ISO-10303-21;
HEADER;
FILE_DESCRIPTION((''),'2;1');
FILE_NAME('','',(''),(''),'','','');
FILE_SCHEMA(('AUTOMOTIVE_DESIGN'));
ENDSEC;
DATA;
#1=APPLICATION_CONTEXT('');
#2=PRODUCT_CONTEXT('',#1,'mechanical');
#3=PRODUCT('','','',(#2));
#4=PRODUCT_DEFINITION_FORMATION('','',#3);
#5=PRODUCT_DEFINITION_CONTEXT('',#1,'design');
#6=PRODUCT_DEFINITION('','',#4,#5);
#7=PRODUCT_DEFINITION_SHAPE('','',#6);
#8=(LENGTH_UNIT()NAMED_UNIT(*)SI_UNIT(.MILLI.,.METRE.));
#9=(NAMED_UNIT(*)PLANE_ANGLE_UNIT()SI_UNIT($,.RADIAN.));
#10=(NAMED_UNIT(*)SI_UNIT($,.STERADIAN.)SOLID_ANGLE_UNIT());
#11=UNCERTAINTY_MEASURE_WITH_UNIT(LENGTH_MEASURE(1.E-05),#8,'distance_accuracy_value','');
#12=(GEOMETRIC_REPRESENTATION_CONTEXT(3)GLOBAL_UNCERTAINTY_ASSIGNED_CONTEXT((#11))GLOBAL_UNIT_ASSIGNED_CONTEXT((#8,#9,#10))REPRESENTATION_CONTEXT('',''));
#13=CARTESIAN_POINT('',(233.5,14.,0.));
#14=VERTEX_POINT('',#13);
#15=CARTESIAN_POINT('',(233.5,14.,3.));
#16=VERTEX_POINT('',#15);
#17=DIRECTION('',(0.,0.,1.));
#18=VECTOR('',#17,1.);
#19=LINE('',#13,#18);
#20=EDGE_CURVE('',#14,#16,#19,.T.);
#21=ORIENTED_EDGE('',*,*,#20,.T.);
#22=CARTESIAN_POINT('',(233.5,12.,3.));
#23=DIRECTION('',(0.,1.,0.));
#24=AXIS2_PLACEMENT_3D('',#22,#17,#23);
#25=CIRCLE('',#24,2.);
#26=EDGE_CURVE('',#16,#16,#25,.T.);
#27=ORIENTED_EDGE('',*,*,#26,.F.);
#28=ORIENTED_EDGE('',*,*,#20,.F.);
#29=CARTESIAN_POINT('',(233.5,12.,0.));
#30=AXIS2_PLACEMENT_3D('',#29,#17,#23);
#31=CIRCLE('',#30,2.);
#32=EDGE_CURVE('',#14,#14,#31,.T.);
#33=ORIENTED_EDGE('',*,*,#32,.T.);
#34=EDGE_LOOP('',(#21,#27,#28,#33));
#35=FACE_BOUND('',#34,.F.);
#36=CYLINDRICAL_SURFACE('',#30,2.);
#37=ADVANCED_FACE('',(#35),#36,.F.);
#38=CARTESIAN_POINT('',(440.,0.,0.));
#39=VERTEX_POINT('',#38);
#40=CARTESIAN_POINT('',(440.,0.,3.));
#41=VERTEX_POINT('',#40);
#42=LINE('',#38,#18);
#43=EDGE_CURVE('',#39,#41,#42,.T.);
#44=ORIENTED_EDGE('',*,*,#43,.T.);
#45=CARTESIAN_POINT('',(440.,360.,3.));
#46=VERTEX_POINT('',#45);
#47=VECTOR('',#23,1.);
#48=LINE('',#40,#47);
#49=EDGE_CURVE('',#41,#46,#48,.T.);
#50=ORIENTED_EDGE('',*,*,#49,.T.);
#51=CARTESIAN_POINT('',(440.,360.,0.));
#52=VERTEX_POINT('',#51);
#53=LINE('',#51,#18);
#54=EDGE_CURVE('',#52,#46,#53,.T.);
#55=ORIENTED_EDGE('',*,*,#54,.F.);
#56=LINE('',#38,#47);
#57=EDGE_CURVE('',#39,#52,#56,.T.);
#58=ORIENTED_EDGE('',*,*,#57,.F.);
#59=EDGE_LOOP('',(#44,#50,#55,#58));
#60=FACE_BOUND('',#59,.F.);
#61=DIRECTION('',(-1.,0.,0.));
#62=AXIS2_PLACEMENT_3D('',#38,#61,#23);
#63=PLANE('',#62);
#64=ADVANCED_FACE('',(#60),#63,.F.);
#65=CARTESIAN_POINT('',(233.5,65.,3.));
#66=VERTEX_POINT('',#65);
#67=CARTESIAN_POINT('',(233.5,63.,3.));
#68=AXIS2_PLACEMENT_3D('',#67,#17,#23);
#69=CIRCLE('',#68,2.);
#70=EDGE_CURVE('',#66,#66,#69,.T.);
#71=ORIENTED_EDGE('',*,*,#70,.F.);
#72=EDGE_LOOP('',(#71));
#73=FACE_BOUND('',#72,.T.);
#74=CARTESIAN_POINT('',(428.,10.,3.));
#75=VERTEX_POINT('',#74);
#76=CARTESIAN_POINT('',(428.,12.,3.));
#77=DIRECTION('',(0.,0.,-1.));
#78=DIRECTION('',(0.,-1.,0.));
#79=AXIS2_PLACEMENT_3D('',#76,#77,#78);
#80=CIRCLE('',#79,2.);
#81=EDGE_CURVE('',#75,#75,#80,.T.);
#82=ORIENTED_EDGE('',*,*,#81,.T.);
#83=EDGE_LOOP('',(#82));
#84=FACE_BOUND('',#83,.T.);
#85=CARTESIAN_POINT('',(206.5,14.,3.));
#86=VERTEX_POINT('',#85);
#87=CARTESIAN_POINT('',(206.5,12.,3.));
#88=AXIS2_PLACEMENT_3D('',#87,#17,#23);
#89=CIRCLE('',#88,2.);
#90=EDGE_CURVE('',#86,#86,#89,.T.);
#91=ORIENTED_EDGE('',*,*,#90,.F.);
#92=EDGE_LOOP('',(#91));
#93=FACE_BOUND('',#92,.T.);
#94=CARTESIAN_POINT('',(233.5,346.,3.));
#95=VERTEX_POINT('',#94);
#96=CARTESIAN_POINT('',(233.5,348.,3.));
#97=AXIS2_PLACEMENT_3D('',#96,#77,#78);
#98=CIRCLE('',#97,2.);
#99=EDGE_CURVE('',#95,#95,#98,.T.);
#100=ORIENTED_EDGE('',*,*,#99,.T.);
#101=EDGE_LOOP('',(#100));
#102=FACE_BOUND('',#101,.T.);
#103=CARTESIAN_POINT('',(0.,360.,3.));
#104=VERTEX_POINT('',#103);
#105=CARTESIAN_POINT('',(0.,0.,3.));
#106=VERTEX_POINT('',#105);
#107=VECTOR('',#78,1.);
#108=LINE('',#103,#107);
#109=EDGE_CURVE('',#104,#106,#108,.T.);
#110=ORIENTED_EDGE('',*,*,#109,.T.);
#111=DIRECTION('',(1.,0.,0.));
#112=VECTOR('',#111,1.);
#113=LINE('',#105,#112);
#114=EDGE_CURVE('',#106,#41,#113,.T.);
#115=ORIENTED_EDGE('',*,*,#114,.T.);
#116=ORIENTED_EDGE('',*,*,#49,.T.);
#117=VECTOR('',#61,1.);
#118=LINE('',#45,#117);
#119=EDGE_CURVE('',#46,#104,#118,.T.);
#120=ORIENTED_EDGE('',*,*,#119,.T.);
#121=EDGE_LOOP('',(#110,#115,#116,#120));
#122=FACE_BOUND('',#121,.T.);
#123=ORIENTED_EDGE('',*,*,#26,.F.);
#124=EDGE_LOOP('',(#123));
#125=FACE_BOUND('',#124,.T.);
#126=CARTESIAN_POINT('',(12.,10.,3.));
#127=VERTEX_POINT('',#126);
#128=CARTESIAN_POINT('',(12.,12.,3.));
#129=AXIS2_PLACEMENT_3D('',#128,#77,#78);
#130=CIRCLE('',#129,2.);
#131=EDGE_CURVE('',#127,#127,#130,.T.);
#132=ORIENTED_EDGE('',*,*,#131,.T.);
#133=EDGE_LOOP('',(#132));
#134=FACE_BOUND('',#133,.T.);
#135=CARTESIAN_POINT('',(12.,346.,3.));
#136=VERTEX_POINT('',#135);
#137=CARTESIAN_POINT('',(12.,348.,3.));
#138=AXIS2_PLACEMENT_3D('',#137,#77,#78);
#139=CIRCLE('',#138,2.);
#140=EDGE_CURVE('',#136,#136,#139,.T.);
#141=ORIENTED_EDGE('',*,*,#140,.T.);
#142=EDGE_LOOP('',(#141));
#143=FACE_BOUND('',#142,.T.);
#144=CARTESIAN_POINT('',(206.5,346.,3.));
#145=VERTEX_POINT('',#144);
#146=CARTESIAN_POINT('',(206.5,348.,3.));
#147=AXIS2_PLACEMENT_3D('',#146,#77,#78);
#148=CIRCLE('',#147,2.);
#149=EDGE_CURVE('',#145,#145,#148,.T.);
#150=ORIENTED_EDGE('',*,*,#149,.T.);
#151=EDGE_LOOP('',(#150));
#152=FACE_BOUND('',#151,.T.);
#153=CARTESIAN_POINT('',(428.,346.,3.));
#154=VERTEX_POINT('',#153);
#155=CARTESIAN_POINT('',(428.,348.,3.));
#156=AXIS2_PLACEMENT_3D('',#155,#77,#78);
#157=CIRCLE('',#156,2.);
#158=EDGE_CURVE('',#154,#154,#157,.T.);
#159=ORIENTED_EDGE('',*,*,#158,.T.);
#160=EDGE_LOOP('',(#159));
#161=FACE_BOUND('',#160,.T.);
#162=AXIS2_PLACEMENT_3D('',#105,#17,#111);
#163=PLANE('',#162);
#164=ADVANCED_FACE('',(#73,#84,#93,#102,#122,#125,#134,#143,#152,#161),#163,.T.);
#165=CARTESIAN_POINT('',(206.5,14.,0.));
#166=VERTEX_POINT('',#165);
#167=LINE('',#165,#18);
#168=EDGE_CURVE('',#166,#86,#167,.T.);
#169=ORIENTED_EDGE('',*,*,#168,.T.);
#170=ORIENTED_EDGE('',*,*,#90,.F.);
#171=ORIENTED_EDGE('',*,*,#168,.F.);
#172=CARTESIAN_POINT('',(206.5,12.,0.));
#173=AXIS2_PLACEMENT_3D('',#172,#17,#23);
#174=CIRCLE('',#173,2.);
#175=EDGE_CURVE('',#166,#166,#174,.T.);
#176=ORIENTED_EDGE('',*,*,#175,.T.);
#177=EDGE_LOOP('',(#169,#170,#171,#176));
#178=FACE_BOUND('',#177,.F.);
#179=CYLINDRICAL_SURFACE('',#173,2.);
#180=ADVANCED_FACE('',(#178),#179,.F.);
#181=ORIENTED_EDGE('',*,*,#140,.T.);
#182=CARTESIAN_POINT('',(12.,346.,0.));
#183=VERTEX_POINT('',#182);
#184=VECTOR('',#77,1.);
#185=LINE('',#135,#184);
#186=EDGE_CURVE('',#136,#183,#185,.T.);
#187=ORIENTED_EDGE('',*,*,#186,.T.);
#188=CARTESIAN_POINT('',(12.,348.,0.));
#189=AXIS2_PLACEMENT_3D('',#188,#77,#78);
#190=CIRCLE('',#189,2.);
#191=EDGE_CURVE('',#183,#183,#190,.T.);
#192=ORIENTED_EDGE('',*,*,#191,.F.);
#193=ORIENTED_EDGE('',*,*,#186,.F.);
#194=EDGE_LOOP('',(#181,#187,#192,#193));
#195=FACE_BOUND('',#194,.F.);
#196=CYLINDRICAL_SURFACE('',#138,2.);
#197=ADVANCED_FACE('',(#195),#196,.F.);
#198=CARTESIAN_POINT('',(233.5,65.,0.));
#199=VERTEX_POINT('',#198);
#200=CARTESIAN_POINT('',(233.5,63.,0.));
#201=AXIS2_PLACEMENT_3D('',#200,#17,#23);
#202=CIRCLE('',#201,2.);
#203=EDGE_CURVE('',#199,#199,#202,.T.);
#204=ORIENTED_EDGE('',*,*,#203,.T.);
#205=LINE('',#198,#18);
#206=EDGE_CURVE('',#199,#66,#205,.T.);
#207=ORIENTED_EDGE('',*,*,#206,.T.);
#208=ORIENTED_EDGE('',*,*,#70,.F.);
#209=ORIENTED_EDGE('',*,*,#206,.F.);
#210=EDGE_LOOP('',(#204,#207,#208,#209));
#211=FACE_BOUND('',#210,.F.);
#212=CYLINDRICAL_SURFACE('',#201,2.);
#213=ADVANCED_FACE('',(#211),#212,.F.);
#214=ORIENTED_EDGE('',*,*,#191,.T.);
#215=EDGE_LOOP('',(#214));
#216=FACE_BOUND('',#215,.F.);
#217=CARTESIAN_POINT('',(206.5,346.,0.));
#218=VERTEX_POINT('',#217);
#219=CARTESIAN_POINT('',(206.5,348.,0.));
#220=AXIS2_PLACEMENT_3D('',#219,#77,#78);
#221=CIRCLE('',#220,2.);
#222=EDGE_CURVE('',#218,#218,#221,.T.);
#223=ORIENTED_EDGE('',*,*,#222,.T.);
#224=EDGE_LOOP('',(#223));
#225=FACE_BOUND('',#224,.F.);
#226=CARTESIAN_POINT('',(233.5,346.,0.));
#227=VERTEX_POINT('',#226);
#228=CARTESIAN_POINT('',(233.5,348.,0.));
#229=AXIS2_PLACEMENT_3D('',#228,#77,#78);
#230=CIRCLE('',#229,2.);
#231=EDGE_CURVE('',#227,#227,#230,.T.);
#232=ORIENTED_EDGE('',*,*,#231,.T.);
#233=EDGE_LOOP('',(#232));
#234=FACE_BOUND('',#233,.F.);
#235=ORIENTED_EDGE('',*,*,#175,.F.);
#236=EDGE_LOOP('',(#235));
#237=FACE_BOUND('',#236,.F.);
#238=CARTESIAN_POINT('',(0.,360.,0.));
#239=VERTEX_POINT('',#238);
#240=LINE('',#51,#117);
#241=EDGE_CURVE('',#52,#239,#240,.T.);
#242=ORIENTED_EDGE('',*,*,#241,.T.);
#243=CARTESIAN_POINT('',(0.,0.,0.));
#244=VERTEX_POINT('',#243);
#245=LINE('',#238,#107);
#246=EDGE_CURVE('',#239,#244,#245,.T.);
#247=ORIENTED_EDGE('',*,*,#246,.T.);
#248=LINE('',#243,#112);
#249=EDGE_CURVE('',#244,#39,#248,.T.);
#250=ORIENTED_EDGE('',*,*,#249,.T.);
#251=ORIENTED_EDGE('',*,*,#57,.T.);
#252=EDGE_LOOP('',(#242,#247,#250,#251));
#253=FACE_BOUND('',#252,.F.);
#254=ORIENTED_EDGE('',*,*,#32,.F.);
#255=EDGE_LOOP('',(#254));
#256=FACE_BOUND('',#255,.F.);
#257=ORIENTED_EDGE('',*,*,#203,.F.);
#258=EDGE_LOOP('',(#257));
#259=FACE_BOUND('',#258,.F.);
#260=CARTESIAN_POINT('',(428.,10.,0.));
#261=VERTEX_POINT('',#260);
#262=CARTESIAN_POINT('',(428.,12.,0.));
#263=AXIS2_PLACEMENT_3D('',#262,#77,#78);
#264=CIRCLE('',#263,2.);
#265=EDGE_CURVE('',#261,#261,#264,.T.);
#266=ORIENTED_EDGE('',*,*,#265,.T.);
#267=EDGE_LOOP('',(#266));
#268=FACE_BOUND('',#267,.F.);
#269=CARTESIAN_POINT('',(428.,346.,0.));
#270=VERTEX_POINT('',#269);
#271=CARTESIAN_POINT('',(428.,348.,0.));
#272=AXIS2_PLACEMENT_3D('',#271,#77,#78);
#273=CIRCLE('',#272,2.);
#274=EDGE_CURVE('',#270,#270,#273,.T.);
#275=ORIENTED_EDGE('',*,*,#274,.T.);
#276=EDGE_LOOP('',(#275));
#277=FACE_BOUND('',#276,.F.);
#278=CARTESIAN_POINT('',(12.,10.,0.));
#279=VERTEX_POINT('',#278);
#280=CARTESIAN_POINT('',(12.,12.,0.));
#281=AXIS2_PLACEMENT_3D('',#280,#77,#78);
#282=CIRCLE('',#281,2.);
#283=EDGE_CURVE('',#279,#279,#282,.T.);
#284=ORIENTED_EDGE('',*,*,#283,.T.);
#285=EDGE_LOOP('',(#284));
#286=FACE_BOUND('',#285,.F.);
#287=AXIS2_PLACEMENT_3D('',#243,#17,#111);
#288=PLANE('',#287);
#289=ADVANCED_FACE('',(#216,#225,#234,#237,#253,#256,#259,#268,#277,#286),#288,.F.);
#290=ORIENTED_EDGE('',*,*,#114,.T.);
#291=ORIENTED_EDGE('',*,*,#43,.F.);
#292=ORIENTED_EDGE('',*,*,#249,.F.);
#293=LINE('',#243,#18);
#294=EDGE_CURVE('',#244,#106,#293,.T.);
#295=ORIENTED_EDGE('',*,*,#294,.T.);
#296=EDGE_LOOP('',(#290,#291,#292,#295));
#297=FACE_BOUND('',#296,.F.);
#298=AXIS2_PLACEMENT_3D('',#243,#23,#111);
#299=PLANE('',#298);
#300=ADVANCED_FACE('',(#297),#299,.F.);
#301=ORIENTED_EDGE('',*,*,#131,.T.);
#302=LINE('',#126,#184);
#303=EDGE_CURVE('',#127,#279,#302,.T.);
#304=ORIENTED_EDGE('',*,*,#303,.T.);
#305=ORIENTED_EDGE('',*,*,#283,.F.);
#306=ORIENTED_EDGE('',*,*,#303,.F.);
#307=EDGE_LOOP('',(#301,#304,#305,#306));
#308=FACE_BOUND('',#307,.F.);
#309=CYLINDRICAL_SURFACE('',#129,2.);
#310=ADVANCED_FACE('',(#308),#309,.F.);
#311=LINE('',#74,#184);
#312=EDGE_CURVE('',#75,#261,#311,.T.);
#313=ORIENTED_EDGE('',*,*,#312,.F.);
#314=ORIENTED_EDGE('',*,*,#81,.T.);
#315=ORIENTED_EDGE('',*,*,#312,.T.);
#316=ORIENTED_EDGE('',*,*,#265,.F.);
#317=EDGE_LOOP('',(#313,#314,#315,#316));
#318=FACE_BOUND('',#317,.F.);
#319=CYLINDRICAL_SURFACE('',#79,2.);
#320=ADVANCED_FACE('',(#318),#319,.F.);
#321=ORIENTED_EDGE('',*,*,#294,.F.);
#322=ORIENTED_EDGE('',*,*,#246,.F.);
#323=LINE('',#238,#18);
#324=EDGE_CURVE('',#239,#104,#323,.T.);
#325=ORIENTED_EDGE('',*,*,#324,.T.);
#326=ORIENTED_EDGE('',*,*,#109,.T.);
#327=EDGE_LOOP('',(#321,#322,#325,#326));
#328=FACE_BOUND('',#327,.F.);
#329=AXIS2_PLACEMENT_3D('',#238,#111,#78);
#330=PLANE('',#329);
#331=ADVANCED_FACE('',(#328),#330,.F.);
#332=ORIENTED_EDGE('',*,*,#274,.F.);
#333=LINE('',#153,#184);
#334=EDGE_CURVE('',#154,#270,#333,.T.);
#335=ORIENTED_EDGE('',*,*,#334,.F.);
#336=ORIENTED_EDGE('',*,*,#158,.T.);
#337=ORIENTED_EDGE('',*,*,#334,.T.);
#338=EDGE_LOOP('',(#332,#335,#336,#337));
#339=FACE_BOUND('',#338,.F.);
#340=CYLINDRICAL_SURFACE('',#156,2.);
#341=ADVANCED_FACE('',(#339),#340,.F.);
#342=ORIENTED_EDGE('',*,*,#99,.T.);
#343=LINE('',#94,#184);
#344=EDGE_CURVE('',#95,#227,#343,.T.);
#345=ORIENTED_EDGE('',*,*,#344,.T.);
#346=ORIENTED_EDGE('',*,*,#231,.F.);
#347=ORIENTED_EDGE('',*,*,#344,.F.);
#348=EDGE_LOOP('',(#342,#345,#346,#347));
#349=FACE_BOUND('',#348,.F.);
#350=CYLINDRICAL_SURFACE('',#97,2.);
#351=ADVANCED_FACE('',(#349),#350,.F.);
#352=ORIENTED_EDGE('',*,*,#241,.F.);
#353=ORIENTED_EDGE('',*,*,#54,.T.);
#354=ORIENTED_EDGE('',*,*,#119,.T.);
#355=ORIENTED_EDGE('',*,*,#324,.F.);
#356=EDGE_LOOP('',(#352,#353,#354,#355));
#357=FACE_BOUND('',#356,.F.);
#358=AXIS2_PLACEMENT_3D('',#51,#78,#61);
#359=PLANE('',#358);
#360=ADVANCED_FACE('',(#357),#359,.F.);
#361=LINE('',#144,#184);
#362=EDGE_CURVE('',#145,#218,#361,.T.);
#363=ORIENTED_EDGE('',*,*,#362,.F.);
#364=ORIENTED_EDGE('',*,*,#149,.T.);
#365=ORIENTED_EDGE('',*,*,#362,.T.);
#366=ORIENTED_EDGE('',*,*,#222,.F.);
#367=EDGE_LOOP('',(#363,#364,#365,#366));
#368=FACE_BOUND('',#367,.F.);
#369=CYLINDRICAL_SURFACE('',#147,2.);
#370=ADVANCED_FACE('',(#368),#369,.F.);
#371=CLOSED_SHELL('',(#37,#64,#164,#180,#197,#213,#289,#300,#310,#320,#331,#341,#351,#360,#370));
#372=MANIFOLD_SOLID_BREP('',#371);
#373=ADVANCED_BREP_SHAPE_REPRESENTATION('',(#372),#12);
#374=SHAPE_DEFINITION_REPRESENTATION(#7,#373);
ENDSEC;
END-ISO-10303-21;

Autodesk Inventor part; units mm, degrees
ref_plane "YZ Plane" through (0, 0, 0) normal (1, 0, 0) x (0, 1, 0)
ref_plane "XZ Plane" through (0, 0, 0) normal (0, 1, 0) x (-1, 0, 0)
ref_plane "XY Plane" through (0, 0, 0) normal (0, 0, 1) x (1, 0, 0)
sketch "Sketch1" plane through (0, 0, 0) normal (0, 0, 1) x (1, 0, 0)
  line L0 (0, 0) -> (440, 0)
  line L1 (440, 0) -> (440, 360)
  line L2 (440, 360) -> (0, 360)
  line L3 (0, 360) -> (0, 0)
  dimension "d0" = 440
  dimension "d1" = 360
extrude "Extrusion1" add sketch "Sketch1" along normal blind 3
hole "Hole1" at (12, 12, 3) direction (0, 0, -1) diameter 4 end through all
hole "Hole2" at (428, 12, 3) direction (0, 0, -1) diameter 4 end through all
hole "Hole3" at (428, 348, 3) direction (0, 0, -1) diameter 4 end through all
hole "Hole4" at (12, 348, 3) direction (0, 0, -1) diameter 4 end through all
hole "Hole5" at (233.5, 12, 0) direction (0, 0, 1) diameter 4 end through all
hole "Hole6" at (206.5, 12, 0) direction (0, 0, 1) diameter 4 end through all
hole "Hole7" at (233.5, 63, 0) direction (0, 0, 1) diameter 4 end through all
hole "Hole8" at (233.5, 348, 3) direction (0, 0, -1) diameter 4 end through all
hole "Hole9" at (206.5, 348, 3) direction (0, 0, -1) diameter 4 end through all
properties part number "FrameLeftSide" material "Dibond"
